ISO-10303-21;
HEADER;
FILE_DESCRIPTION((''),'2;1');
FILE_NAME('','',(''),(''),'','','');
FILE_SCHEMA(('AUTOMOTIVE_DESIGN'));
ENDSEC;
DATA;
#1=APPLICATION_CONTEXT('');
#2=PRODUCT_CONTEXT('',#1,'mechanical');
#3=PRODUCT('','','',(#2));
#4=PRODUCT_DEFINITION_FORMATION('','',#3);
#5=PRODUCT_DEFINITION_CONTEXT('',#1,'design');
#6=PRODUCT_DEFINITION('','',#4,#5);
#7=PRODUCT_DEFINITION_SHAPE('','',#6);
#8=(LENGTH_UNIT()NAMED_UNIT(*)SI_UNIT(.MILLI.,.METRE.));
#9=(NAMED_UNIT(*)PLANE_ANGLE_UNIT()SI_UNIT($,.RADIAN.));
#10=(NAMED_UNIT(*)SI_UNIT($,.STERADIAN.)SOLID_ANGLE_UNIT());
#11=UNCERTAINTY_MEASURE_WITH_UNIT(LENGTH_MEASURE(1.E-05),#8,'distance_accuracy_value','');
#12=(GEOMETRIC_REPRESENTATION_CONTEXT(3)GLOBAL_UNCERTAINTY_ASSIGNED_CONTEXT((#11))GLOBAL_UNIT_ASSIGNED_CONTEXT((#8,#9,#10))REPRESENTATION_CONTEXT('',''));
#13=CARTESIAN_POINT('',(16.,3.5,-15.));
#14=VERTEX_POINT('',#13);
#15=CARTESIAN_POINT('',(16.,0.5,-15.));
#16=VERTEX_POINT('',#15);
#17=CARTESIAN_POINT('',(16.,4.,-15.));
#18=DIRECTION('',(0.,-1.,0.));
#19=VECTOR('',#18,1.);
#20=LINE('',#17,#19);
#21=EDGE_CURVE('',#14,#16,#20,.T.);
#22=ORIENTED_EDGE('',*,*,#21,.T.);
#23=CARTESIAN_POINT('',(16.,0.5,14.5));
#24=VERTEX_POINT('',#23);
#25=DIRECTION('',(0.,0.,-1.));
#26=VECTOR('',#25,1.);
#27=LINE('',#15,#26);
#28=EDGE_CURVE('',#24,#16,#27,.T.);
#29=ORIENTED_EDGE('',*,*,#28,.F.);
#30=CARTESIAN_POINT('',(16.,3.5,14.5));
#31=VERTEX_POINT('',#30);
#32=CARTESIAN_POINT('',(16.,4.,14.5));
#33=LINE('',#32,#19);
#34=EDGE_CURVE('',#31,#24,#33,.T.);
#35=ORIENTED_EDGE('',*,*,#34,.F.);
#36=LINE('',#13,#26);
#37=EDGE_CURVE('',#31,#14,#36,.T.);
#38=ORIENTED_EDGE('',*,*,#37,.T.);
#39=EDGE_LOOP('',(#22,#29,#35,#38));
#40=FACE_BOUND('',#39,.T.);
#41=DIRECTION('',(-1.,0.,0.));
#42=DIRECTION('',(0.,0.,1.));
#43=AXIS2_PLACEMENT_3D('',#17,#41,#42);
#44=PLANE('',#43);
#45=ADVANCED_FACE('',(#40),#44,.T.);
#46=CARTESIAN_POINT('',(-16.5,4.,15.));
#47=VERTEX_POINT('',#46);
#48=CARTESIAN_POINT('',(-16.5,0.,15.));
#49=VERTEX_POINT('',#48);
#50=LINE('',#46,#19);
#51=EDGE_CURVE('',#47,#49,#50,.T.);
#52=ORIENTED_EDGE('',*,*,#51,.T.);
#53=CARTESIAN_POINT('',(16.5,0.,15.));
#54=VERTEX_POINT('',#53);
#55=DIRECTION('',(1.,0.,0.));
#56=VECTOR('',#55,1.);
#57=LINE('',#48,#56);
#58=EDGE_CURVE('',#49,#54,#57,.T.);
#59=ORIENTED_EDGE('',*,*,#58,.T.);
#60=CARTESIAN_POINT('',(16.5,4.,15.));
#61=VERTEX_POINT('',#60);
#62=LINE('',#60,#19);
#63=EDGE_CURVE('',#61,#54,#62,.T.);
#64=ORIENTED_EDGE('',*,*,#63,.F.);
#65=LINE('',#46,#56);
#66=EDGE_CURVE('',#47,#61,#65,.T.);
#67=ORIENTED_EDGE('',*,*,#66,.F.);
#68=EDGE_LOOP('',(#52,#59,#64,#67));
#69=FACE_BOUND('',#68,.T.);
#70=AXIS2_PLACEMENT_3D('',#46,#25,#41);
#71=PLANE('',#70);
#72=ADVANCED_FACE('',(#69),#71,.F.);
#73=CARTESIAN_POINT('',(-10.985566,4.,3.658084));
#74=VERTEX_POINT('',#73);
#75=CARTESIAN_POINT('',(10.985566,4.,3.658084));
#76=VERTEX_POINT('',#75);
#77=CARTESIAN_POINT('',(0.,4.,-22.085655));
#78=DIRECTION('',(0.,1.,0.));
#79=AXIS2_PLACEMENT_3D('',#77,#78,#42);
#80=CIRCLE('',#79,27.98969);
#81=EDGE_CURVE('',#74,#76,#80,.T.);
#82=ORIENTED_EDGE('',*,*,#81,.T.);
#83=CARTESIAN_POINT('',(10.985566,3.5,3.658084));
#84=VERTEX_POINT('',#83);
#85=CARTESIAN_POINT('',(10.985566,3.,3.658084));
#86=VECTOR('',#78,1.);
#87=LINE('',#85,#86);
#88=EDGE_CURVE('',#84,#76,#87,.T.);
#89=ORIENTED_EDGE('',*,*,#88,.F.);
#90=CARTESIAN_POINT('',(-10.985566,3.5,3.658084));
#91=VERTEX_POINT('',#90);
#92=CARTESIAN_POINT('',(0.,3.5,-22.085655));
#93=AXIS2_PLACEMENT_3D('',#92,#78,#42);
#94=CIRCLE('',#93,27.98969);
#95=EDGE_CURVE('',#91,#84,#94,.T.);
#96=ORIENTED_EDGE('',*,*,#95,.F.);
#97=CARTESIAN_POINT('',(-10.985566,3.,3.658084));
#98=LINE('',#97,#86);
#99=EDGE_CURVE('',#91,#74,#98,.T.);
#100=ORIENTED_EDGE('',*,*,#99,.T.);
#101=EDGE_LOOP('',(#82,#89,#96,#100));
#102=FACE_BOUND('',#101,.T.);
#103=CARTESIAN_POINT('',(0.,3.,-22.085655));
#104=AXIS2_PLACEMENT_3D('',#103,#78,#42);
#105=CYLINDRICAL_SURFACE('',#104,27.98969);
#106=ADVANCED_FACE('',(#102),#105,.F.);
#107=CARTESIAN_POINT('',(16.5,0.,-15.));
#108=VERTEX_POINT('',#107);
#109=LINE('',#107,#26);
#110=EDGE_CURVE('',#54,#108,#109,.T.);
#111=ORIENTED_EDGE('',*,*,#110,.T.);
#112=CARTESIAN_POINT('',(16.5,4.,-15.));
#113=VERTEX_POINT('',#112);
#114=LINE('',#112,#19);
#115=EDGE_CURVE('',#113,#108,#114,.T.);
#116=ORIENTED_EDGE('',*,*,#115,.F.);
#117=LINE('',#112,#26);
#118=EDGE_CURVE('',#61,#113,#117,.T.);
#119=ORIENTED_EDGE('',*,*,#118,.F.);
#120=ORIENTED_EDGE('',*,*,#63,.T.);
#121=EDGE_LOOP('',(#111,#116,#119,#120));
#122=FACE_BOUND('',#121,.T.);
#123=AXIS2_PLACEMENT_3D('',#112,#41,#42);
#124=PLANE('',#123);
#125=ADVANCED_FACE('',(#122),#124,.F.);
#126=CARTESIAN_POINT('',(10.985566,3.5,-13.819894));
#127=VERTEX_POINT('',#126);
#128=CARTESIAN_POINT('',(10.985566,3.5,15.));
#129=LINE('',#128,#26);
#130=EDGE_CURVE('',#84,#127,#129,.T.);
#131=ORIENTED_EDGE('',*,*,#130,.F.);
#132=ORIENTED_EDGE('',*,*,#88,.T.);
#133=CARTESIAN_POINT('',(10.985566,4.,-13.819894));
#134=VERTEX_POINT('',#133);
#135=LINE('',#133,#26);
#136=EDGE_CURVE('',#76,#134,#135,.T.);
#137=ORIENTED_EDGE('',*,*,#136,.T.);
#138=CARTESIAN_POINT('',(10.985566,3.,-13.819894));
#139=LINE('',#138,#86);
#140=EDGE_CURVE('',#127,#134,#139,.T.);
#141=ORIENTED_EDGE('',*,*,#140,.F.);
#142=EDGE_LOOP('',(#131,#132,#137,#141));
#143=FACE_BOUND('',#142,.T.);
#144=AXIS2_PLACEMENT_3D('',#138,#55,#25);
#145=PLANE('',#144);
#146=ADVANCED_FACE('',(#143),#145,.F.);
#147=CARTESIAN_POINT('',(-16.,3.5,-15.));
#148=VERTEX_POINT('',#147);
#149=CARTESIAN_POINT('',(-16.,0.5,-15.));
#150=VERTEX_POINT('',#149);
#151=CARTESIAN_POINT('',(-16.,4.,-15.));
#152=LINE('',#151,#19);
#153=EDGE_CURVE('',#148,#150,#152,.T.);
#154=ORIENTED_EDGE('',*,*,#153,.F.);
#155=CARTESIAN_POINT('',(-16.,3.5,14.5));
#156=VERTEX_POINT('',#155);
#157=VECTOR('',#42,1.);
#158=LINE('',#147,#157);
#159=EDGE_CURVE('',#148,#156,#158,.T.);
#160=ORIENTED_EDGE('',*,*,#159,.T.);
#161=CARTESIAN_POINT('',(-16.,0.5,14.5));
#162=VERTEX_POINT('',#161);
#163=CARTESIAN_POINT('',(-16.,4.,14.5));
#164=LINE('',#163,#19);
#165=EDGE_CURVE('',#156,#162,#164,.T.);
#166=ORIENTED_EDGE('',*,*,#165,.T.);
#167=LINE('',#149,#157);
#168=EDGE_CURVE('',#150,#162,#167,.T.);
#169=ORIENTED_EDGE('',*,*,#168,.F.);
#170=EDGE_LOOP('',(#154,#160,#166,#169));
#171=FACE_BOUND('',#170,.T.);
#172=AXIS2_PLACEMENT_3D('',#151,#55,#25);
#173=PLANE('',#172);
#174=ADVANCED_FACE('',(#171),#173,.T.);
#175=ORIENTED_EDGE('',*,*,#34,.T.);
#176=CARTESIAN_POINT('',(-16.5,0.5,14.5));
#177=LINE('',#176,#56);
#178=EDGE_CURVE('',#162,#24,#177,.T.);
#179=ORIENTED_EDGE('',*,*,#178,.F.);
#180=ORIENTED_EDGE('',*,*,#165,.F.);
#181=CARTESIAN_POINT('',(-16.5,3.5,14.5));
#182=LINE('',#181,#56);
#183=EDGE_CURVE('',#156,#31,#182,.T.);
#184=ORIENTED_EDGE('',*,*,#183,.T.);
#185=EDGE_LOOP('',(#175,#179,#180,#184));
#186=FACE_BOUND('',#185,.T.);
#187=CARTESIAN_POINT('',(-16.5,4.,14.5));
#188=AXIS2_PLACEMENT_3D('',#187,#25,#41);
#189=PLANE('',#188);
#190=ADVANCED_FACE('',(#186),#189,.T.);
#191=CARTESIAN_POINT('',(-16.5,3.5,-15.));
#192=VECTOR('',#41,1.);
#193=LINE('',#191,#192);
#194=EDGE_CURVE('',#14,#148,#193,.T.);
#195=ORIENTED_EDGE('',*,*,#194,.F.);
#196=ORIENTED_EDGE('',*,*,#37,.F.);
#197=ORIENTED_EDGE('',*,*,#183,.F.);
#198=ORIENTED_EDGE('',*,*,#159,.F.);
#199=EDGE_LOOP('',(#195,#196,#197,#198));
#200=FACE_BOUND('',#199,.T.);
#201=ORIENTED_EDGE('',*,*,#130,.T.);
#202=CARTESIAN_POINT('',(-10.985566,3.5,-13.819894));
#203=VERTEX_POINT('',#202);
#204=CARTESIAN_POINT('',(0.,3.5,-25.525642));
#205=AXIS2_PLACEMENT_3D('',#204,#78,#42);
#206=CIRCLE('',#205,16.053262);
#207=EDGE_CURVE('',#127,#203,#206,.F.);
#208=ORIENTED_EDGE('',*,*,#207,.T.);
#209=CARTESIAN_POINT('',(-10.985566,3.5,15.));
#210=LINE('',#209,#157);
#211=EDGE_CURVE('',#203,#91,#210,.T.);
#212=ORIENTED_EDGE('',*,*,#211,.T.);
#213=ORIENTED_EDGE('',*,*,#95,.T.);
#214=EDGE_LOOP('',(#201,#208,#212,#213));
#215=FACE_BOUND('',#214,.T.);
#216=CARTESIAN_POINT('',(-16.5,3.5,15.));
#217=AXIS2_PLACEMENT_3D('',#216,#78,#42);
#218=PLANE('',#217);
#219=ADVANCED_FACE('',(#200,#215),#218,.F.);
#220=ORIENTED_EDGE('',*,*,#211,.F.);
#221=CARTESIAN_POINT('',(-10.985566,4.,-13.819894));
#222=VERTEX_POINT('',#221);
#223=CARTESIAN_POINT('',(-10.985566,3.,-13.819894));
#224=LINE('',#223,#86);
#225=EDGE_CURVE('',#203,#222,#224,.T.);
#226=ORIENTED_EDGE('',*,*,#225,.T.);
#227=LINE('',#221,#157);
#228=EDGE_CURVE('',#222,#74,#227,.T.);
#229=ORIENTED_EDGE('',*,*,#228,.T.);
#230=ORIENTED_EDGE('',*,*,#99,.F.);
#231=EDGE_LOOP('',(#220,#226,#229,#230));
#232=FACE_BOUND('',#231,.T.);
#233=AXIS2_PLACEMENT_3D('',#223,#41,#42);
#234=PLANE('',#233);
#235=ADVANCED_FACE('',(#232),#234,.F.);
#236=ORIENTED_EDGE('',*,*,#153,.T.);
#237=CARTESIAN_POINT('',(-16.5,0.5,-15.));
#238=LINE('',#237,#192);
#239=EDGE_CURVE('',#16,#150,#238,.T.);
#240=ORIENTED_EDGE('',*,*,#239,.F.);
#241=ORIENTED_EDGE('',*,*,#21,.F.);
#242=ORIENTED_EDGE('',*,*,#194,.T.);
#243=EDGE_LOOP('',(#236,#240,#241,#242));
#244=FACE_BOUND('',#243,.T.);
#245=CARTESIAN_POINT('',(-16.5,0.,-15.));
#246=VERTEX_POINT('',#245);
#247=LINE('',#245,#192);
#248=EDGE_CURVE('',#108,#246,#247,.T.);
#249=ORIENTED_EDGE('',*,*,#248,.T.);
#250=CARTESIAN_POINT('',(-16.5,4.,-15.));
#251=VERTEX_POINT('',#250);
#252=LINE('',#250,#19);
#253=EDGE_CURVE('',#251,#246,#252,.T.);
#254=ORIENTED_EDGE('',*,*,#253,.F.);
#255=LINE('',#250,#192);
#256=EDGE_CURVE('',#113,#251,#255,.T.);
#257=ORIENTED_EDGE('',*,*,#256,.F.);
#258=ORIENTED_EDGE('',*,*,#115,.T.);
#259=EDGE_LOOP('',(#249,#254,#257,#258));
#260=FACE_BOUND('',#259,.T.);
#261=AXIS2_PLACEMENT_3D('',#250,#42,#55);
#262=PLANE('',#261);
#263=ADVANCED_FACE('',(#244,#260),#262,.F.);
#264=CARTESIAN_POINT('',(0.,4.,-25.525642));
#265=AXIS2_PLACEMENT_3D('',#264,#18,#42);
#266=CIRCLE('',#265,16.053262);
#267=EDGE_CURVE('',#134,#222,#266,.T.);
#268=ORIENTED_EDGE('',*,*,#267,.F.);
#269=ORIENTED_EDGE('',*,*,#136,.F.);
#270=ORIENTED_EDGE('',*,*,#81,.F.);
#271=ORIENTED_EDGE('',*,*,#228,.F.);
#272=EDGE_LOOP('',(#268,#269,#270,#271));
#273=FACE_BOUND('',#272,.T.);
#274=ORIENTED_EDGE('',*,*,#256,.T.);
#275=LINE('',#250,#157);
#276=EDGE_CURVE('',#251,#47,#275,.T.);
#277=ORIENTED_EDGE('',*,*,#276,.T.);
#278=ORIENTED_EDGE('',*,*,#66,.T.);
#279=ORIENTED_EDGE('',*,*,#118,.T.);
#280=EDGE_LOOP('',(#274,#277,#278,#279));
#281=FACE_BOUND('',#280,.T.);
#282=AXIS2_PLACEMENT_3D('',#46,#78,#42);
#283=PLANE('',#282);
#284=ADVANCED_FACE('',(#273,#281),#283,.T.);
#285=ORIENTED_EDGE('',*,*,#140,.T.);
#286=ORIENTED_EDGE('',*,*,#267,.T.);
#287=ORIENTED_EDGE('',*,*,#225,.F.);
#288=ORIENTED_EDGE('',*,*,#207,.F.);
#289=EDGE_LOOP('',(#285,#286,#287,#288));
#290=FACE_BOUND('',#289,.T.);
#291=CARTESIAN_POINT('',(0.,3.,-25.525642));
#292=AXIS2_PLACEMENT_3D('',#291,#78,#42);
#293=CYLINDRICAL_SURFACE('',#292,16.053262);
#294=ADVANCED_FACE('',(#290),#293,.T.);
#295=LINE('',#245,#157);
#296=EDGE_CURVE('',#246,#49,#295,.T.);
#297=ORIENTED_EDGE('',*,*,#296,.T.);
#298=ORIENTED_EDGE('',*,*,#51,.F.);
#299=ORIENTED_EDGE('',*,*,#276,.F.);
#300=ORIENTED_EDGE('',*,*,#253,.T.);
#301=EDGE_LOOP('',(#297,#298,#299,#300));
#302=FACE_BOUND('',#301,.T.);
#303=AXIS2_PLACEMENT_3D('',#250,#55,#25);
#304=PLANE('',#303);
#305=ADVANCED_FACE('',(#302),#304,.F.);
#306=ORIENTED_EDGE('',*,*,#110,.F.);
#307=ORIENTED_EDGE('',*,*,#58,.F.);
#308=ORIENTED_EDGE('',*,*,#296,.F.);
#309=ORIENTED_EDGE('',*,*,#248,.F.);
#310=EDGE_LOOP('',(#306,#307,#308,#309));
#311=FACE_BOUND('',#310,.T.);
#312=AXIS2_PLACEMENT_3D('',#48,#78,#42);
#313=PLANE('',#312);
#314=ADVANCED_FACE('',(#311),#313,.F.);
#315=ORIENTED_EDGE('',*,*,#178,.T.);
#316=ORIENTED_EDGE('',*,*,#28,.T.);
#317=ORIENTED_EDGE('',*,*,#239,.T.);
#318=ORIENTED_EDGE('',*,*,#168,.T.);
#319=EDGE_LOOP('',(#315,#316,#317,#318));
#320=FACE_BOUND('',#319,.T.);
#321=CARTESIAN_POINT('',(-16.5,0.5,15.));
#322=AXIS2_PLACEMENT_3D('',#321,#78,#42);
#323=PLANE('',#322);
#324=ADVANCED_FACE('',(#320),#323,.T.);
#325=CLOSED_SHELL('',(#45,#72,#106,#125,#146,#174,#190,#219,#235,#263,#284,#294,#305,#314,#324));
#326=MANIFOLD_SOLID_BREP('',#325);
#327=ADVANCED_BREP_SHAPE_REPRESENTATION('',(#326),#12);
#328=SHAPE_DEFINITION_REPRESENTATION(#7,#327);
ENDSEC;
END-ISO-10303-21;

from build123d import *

# Parameters (mm, degrees)
SKETCH_1_W          = 33
SKETCH_1_H          = 30
EXTRUDE_1_DEPTH     = 4
SHELL_1_T           = -0.5
CUT_EXTRUDE_2_DEPTH = 1


with BuildPart() as part:
    # 草图1 → 拉伸1 (new body)
    with BuildSketch(Plane(origin=(0, 0, 0), x_dir=(1, 0, 0), z_dir=(0, 1, 0))):
        Rectangle(SKETCH_1_W, SKETCH_1_H)
    extrude(amount=EXTRUDE_1_DEPTH)

    # 抽壳1
    shell_1_openings = [part.faces().sort_by_distance(p)[0] for p in [
        (0, 2, -15),
    ]]
    offset(amount=SHELL_1_T, openings=shell_1_openings, kind=Kind.INTERSECTION)

    # 草图2 → 切除-拉伸2 (cut)
    with BuildSketch(Plane(origin=(0, 4, 0), x_dir=(-1, 0, 0), z_dir=(0, 1, 0))):
        with BuildLine():
            Line((10.985566132, -13.819893674), (10.985566132, 3.658083867))
            ThreePointArc((10.985566132, 3.658083867), (0, 5.904035161), (-10.985566132, 3.658083867))
            Line((-10.985566132, 3.658083867), (-10.985566132, -13.819893674))
            ThreePointArc((-10.985566132, -13.819893674), (0, -9.472380487), (10.985566132, -13.819893674))
        make_face()
    extrude(amount=-CUT_EXTRUDE_2_DEPTH, mode=Mode.SUBTRACT)


solid = part.part
